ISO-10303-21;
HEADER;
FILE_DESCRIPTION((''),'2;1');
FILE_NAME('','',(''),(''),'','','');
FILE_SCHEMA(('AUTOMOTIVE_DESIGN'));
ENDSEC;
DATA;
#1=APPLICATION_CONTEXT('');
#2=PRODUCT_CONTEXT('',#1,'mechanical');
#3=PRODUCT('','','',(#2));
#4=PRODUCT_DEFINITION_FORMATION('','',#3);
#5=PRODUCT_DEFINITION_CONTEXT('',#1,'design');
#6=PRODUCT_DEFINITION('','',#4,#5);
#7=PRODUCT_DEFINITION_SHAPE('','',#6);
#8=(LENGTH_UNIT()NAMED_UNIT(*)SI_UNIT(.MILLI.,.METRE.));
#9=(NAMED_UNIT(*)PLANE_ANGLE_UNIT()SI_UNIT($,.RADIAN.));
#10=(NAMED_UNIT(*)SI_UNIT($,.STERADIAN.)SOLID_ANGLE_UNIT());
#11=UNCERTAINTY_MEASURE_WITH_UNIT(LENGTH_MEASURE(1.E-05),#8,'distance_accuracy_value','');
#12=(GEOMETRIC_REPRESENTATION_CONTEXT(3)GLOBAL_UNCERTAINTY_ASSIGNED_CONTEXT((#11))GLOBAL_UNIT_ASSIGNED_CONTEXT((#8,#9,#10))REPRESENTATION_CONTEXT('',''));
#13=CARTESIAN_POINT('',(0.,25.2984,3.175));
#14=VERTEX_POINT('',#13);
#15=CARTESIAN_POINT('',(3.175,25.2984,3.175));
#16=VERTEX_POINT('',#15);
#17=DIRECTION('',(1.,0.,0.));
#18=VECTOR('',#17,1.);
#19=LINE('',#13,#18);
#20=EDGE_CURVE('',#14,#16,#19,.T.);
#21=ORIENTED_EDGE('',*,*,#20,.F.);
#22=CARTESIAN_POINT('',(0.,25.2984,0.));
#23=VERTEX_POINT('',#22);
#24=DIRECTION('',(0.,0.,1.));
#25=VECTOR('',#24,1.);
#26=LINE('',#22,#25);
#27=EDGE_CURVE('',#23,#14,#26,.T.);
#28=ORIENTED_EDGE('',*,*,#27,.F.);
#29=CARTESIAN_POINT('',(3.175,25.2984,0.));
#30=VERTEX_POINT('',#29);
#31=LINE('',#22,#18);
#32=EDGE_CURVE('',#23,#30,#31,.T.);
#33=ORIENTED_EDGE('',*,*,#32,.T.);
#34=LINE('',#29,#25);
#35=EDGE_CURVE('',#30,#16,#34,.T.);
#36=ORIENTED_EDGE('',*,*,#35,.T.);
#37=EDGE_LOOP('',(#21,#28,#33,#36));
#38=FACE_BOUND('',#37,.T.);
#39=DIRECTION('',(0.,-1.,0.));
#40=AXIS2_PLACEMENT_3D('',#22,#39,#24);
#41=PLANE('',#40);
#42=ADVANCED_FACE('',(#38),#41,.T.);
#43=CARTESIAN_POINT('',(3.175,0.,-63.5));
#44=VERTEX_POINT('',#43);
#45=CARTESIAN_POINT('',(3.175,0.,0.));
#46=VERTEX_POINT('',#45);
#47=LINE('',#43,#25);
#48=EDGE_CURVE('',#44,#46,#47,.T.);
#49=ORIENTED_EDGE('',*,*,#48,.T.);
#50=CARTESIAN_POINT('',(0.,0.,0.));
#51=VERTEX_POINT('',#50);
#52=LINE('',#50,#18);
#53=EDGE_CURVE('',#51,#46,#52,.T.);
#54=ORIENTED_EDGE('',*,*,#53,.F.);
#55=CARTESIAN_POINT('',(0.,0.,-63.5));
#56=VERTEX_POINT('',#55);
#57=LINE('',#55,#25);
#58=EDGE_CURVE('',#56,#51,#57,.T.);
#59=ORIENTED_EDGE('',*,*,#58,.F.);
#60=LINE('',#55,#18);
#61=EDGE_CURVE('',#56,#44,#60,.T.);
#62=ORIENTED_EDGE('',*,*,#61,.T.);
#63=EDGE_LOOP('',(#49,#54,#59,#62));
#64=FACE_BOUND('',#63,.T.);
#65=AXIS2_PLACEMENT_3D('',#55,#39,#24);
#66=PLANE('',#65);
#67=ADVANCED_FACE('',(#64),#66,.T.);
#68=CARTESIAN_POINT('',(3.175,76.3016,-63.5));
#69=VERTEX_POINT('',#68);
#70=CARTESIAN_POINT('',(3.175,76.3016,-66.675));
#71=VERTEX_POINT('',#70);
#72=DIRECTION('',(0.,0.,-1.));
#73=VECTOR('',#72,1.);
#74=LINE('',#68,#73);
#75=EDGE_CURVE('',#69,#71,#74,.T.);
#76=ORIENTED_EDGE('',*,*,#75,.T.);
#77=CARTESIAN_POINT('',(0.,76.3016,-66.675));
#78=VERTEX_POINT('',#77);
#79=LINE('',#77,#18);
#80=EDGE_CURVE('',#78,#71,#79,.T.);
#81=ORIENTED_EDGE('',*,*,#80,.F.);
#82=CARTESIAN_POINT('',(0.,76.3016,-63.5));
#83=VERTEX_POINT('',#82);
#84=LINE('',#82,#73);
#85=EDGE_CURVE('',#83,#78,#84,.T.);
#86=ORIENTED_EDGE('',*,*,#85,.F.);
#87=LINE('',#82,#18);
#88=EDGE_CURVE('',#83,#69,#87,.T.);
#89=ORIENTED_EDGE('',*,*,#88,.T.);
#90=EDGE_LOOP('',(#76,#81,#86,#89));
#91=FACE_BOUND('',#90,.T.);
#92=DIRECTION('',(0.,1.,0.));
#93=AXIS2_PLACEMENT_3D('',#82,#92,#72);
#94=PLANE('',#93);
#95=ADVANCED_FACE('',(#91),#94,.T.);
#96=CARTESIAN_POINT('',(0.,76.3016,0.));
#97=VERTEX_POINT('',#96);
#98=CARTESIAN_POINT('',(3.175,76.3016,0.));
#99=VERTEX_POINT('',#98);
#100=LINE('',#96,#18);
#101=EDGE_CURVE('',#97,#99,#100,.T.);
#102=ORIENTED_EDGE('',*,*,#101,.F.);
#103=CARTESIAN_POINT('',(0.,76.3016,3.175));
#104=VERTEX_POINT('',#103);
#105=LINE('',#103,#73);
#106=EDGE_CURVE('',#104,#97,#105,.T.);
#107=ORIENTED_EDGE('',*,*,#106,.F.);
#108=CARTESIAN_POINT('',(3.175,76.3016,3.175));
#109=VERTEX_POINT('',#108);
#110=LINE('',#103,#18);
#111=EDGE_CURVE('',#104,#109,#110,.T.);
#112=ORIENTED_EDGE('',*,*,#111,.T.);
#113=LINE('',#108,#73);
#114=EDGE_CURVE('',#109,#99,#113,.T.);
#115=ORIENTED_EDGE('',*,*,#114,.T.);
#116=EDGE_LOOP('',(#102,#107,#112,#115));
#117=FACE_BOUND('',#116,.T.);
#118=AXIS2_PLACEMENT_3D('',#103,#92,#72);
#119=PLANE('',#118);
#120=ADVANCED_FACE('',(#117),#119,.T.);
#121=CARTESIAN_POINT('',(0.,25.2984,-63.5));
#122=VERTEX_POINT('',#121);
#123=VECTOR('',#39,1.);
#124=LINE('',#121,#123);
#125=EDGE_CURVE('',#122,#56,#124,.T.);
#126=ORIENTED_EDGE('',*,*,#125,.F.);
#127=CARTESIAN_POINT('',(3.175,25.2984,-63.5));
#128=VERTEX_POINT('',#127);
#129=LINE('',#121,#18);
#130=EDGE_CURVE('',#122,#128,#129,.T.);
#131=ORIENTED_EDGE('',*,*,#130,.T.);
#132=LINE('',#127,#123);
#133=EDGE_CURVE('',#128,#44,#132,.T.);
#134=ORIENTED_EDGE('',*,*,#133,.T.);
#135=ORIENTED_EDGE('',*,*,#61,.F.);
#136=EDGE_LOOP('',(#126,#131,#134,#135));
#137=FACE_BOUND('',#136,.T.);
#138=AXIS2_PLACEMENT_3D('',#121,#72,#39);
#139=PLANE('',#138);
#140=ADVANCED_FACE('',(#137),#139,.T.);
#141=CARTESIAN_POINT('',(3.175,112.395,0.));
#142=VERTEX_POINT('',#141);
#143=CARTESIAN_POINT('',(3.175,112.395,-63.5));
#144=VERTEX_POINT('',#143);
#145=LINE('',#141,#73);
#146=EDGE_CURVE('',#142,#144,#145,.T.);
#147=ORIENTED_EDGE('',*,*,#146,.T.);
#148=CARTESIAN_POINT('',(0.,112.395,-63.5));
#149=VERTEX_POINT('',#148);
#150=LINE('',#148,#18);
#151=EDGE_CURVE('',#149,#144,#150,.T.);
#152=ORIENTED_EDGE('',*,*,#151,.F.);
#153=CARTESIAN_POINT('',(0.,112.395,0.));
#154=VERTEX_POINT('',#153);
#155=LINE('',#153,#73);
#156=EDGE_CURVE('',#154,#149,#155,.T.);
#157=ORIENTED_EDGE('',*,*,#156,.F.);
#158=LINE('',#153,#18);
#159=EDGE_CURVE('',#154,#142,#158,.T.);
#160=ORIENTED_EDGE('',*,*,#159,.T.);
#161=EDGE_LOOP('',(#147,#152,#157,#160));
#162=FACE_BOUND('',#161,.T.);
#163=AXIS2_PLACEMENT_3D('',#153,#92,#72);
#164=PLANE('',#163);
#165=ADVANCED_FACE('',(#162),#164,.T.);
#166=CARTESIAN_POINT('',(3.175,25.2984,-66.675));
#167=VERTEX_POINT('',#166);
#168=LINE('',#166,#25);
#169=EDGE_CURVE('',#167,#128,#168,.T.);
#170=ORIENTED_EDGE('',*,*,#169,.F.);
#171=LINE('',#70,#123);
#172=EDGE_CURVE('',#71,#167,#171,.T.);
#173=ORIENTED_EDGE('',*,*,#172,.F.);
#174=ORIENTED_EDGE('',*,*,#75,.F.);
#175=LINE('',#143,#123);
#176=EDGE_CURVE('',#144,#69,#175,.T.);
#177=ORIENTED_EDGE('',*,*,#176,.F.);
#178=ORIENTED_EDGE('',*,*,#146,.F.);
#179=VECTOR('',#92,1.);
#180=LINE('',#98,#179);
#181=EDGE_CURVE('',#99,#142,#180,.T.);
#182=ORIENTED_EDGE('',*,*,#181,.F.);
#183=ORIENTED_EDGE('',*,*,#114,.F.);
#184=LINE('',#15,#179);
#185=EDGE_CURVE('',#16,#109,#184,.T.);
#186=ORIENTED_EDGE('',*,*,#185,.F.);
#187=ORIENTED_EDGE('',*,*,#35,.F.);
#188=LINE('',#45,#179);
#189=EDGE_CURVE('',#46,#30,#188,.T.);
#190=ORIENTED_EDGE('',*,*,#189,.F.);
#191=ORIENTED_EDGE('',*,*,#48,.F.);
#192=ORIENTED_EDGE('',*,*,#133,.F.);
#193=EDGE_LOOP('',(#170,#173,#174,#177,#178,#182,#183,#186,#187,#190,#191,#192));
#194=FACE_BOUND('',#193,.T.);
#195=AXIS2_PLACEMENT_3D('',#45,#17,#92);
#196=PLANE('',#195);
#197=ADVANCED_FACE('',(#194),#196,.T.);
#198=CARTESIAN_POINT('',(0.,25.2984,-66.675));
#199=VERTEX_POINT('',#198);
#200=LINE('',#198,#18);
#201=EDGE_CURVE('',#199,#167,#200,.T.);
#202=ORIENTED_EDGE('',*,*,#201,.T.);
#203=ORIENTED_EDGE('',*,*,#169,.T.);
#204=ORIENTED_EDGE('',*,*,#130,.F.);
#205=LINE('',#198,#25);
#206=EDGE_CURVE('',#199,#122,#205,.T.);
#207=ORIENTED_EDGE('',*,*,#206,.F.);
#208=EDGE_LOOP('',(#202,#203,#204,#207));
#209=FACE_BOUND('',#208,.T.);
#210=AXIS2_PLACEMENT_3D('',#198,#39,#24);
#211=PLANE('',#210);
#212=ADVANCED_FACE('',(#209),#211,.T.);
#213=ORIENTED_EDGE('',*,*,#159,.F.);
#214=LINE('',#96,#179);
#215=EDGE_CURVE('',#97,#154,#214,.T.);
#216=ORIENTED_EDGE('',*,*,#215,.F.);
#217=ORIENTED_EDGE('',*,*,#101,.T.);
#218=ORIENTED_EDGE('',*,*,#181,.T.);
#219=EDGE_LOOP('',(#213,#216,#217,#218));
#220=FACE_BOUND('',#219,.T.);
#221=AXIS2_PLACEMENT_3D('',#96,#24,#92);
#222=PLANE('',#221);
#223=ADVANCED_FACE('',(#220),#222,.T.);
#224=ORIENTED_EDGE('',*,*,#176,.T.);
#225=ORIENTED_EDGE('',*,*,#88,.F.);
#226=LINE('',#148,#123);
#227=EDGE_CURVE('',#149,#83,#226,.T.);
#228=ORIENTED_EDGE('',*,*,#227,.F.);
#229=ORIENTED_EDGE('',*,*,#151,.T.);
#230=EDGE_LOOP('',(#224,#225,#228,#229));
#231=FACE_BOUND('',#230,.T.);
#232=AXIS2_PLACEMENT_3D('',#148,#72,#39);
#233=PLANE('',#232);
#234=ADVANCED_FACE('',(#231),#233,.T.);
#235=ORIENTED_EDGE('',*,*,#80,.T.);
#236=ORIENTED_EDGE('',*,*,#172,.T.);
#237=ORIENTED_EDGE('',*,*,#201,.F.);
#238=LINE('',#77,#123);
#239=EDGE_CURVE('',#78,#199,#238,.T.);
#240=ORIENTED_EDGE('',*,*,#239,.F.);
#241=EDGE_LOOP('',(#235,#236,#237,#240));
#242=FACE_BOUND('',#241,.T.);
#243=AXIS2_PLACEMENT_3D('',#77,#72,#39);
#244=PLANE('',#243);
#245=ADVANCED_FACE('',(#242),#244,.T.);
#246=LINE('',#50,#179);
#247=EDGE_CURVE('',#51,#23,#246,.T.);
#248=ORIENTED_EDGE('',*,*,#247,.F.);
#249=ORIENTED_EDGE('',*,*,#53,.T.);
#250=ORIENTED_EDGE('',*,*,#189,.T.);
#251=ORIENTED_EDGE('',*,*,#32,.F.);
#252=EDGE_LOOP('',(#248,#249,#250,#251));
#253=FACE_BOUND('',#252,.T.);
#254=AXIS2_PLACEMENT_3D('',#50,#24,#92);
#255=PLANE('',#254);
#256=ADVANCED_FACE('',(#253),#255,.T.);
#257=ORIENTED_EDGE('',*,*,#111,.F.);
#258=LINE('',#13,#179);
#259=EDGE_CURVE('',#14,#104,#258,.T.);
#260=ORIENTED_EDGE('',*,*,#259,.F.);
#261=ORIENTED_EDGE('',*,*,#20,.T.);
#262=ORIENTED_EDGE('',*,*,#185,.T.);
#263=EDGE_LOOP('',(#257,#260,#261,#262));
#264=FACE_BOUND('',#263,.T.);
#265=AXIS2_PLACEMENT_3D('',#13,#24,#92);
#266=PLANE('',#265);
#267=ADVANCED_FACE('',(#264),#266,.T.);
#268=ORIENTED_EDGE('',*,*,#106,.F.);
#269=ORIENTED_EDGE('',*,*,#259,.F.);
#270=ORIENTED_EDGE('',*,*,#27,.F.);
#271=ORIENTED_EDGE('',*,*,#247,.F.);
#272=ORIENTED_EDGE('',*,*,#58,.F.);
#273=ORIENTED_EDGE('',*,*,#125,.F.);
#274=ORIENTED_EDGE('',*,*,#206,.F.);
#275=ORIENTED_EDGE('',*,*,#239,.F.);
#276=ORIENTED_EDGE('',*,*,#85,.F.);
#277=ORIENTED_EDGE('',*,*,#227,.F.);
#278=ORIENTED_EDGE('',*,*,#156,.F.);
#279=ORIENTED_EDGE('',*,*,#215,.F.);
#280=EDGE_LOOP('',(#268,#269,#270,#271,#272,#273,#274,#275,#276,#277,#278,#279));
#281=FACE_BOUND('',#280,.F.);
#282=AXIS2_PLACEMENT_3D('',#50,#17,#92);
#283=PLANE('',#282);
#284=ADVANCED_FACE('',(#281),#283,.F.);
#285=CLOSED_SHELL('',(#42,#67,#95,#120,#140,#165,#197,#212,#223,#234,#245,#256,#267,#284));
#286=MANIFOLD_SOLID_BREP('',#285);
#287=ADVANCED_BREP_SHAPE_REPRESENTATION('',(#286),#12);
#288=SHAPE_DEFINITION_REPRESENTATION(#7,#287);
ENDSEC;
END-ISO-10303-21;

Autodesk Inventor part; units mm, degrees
ref_plane "YZ Plane" through (0, 0, 0) normal (1, 0, 0) x (0, 1, 0)
ref_plane "XZ Plane" through (0, 0, 0) normal (0, 1, 0) x (-1, 0, 0)
ref_plane "XY Plane" through (0, 0, 0) normal (0, 0, 1) x (1, 0, 0)
sketch "Sketch1" plane through (0, 0, 0) normal (1, 0, 0) x (0, 1, 0)
  line L0 (0, 0) -> (25.2984, 0)
  line L1 (25.2984, 0) -> (25.2984, 3.175)
  line L2 (25.2984, 3.175) -> (76.3016, 3.175)
  line L3 (76.3016, 3.175) -> (76.3016, 0)
  line L4 (76.3016, 0) -> (112.395, 0)
  line L5 (112.395, 0) -> (112.395, -63.5)
  line L6 (112.395, -63.5) -> (76.3016, -63.5)
  line L7 (76.3016, -63.5) -> (76.3016, -66.675)
  line L8 (76.3016, -66.675) -> (25.2984, -66.675)
  line L9 (25.2984, -66.675) -> (25.2984, -63.5)
  line L10 (25.2984, -63.5) -> (0, -63.5)
  line L11 (0, -63.5) -> (0, 0)
  dimension "d0" = 25.2984
  dimension "d1" = 3.175
  dimension "d2" = 51.0032
  dimension "d3" = 63.5
  dimension "d4" = 3.175
  dimension "d5" = 112.395
extrude "Extrusion1" add sketch "Sketch1" along normal blind 3.175
properties part number "back"
